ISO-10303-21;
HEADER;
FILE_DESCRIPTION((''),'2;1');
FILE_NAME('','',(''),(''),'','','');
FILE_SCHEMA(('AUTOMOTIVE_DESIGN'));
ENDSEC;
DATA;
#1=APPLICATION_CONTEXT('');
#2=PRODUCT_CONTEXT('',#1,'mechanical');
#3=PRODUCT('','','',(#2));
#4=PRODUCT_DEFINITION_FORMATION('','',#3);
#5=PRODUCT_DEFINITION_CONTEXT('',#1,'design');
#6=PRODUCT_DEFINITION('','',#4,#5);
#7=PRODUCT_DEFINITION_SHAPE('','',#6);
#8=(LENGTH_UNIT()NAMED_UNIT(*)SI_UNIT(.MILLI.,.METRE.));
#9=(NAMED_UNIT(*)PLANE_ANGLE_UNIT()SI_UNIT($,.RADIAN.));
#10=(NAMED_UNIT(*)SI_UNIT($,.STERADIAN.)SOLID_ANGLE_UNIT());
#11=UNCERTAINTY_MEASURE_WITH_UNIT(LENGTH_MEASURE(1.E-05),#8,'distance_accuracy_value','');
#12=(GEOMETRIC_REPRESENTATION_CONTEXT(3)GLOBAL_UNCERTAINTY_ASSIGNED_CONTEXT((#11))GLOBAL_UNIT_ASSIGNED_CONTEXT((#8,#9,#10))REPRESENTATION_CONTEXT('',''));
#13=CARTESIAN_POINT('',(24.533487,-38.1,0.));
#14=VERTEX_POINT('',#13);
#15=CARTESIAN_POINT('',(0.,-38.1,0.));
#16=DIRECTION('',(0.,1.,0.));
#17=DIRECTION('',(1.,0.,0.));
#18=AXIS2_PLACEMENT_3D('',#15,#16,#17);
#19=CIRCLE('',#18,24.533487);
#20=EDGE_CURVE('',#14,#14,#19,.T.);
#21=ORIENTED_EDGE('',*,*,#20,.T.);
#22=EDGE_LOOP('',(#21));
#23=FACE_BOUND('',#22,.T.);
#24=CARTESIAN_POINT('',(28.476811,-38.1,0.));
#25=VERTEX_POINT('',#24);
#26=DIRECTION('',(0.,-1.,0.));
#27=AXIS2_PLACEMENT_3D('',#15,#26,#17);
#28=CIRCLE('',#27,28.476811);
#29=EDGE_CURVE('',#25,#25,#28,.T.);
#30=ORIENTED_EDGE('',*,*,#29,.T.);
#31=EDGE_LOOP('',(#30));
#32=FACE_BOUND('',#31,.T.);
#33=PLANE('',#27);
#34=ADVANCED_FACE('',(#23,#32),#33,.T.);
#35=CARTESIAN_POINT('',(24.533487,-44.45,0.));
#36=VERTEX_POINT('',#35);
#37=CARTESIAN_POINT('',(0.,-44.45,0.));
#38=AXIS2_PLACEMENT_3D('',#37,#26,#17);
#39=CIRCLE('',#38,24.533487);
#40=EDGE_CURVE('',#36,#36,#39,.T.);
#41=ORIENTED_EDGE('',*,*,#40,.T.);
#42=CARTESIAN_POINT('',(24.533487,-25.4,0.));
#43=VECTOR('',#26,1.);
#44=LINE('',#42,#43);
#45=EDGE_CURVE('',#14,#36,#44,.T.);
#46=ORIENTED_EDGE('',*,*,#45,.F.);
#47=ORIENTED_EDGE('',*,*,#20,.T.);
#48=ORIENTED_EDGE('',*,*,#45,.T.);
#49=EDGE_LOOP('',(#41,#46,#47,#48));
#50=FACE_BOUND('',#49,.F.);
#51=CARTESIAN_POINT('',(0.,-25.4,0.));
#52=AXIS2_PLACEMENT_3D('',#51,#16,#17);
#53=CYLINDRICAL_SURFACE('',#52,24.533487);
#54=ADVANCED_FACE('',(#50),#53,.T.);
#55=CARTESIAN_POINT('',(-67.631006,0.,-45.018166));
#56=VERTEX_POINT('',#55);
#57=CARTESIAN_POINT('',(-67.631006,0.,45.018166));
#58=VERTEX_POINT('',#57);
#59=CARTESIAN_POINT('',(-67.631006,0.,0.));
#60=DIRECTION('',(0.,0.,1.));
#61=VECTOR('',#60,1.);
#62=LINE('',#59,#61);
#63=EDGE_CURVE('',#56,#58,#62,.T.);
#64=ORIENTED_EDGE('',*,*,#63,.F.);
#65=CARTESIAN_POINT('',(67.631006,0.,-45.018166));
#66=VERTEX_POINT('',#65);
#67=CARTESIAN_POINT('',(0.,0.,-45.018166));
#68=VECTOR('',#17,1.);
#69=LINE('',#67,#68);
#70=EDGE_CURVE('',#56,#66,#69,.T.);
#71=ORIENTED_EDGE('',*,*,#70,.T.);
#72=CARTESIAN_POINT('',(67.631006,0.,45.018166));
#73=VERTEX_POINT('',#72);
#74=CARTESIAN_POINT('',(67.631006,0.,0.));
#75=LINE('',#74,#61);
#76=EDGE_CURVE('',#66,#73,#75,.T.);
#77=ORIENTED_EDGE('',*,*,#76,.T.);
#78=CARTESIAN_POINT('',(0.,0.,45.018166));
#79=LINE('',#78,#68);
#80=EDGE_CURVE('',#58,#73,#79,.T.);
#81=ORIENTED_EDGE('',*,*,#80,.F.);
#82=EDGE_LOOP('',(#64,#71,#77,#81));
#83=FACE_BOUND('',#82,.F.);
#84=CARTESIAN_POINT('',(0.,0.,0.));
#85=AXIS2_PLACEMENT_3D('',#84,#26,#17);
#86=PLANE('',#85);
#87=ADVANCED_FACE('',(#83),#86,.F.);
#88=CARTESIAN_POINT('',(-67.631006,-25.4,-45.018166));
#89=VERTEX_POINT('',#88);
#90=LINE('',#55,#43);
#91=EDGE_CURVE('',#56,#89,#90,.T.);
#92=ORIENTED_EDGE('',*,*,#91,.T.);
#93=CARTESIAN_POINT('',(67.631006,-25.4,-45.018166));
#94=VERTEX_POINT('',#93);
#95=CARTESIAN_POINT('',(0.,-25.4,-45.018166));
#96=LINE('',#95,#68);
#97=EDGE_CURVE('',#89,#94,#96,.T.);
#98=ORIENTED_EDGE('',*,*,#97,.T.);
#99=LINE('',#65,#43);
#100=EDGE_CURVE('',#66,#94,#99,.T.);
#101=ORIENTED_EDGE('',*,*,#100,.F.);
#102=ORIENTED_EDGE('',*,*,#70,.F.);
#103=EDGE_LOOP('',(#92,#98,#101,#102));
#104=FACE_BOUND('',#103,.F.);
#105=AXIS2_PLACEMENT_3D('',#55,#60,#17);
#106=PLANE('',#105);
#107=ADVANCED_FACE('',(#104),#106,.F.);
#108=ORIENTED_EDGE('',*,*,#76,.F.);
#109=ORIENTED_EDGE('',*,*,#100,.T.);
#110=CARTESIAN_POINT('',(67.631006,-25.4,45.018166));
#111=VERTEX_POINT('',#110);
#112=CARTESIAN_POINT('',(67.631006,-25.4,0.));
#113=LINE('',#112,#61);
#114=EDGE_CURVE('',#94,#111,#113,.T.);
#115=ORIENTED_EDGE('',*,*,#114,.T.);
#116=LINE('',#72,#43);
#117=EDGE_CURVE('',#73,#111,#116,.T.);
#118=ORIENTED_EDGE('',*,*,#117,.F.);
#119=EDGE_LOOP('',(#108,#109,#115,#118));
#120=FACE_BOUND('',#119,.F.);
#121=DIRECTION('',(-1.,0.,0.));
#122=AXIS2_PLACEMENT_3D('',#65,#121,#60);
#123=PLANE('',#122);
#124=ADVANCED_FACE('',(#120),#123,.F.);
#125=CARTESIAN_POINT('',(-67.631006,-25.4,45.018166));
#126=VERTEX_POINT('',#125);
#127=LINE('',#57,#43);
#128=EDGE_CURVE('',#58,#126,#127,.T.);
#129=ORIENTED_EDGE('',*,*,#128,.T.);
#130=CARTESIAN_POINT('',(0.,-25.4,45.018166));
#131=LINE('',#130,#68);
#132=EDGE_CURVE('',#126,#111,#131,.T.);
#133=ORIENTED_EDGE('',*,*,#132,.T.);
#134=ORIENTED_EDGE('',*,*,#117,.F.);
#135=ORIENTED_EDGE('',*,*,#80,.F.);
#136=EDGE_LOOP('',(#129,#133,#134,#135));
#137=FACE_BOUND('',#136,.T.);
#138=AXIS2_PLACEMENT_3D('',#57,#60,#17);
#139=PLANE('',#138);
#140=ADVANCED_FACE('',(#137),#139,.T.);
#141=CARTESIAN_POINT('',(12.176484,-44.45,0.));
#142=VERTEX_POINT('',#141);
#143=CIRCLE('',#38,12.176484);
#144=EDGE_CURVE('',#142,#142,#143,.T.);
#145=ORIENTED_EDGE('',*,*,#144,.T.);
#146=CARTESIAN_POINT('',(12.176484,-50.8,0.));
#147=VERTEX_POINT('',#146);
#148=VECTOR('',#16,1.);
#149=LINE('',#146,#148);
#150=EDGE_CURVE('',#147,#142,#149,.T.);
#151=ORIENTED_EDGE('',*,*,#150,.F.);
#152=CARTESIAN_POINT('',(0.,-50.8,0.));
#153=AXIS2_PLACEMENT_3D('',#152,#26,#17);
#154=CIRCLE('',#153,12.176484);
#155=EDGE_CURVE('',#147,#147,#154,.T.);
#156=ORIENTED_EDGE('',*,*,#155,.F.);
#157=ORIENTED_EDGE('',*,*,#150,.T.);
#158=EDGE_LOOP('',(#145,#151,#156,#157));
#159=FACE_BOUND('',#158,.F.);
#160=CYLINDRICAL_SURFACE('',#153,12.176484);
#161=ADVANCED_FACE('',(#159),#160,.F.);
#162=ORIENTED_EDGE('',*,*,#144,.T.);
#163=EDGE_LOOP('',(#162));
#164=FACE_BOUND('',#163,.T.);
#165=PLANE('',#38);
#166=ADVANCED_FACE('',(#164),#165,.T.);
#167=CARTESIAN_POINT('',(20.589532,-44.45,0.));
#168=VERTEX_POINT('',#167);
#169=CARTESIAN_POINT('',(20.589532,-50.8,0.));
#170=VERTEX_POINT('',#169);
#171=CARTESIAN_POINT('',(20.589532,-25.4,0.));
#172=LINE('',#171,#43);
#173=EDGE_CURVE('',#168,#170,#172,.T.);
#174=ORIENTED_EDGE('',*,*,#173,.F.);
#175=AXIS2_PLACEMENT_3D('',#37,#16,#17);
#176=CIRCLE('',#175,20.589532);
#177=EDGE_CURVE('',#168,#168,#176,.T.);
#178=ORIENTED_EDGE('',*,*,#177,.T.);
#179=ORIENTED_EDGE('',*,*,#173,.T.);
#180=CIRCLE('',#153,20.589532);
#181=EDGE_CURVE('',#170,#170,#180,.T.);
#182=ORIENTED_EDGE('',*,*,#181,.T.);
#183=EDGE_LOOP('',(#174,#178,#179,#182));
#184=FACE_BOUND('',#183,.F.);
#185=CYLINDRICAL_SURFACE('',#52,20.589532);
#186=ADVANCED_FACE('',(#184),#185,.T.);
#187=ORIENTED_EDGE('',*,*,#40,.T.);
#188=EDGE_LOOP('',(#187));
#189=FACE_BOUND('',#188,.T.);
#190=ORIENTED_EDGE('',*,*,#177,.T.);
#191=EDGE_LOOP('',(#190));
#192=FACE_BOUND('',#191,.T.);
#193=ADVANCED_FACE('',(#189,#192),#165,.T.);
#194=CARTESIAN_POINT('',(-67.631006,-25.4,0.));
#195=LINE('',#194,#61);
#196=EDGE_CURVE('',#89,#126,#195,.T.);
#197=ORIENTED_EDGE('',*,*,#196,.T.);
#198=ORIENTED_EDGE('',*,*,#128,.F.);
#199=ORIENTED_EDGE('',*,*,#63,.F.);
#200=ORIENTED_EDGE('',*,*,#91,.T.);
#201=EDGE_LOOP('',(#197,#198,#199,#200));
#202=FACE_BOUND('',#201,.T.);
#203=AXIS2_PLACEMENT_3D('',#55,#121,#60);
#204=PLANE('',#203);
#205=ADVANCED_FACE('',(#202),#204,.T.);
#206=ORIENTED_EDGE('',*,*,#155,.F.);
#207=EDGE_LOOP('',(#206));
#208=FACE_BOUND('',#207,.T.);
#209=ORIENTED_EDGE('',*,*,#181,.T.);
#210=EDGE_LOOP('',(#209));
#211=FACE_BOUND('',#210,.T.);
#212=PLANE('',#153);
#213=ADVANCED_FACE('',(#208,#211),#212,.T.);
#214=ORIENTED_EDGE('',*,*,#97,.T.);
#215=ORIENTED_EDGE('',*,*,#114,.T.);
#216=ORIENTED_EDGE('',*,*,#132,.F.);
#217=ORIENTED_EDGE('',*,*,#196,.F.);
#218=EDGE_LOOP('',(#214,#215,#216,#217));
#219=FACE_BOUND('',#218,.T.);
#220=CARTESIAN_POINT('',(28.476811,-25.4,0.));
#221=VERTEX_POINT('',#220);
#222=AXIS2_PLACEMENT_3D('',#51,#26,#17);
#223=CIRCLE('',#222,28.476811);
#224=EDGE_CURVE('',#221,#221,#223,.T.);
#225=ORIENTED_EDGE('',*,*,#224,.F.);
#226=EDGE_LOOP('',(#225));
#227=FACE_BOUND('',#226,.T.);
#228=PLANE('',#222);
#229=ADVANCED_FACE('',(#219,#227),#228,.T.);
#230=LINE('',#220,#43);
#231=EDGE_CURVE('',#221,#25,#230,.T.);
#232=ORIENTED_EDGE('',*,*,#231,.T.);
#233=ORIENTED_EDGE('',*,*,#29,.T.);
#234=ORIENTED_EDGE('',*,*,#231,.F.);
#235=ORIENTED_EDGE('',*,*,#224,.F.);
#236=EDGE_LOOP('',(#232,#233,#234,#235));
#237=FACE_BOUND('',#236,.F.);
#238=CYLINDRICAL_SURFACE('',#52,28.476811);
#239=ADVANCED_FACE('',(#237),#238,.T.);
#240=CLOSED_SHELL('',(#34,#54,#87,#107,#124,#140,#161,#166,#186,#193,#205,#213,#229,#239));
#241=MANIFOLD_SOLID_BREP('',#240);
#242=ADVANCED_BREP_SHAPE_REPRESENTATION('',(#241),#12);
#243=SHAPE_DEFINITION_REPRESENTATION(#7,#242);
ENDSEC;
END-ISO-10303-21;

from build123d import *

# Parameters (mm, degrees)
F0_W      = 135.262012
F0_H      = 90.036332
F1_DEPTH  = 25.4
F2_R      = 20.589532
F4_DEPTH  = 25.4
F3_R      = 10.44105
F5_DEPTH  = 38.1
F7_R      = 12.176484
F8_DEPTH  = 25.4
F9_R      = 24.533487
F10_DEPTH = 19.05
F11_R     = 28.476811
F12_DEPTH = 12.7


with BuildPart() as f1:
    # F0 (on Front) → F1 (new body)
    with BuildSketch(Plane.XZ):
        Rectangle(F0_W, F0_H)
    extrude(amount=F1_DEPTH)

    # F2 (on face) → F4 (join)
    with BuildSketch(Plane.XZ.offset(25.4)):
        Circle(F2_R)
    extrude(amount=F4_DEPTH)

    # F3 (on Front) → F5 (join)
    with BuildSketch(Plane.XZ):
        Circle(F3_R)
    extrude(amount=F5_DEPTH)

    # F7 (on face) → F8 (cut)
    with BuildSketch(Plane.XZ.offset(50.8)):
        Circle(F7_R)
    extrude(amount=-F8_DEPTH, mode=Mode.SUBTRACT)

    # F9 (on face) → F10 (join)
    with BuildSketch(Plane.XZ.offset(25.4)):
        Circle(F9_R)
    extrude(amount=F10_DEPTH)

    # F11 (on face) → F12 (join)
    with BuildSketch(Plane.XZ.offset(25.4)):
        Circle(F11_R)
    extrude(amount=F12_DEPTH)


solid = f1.part
